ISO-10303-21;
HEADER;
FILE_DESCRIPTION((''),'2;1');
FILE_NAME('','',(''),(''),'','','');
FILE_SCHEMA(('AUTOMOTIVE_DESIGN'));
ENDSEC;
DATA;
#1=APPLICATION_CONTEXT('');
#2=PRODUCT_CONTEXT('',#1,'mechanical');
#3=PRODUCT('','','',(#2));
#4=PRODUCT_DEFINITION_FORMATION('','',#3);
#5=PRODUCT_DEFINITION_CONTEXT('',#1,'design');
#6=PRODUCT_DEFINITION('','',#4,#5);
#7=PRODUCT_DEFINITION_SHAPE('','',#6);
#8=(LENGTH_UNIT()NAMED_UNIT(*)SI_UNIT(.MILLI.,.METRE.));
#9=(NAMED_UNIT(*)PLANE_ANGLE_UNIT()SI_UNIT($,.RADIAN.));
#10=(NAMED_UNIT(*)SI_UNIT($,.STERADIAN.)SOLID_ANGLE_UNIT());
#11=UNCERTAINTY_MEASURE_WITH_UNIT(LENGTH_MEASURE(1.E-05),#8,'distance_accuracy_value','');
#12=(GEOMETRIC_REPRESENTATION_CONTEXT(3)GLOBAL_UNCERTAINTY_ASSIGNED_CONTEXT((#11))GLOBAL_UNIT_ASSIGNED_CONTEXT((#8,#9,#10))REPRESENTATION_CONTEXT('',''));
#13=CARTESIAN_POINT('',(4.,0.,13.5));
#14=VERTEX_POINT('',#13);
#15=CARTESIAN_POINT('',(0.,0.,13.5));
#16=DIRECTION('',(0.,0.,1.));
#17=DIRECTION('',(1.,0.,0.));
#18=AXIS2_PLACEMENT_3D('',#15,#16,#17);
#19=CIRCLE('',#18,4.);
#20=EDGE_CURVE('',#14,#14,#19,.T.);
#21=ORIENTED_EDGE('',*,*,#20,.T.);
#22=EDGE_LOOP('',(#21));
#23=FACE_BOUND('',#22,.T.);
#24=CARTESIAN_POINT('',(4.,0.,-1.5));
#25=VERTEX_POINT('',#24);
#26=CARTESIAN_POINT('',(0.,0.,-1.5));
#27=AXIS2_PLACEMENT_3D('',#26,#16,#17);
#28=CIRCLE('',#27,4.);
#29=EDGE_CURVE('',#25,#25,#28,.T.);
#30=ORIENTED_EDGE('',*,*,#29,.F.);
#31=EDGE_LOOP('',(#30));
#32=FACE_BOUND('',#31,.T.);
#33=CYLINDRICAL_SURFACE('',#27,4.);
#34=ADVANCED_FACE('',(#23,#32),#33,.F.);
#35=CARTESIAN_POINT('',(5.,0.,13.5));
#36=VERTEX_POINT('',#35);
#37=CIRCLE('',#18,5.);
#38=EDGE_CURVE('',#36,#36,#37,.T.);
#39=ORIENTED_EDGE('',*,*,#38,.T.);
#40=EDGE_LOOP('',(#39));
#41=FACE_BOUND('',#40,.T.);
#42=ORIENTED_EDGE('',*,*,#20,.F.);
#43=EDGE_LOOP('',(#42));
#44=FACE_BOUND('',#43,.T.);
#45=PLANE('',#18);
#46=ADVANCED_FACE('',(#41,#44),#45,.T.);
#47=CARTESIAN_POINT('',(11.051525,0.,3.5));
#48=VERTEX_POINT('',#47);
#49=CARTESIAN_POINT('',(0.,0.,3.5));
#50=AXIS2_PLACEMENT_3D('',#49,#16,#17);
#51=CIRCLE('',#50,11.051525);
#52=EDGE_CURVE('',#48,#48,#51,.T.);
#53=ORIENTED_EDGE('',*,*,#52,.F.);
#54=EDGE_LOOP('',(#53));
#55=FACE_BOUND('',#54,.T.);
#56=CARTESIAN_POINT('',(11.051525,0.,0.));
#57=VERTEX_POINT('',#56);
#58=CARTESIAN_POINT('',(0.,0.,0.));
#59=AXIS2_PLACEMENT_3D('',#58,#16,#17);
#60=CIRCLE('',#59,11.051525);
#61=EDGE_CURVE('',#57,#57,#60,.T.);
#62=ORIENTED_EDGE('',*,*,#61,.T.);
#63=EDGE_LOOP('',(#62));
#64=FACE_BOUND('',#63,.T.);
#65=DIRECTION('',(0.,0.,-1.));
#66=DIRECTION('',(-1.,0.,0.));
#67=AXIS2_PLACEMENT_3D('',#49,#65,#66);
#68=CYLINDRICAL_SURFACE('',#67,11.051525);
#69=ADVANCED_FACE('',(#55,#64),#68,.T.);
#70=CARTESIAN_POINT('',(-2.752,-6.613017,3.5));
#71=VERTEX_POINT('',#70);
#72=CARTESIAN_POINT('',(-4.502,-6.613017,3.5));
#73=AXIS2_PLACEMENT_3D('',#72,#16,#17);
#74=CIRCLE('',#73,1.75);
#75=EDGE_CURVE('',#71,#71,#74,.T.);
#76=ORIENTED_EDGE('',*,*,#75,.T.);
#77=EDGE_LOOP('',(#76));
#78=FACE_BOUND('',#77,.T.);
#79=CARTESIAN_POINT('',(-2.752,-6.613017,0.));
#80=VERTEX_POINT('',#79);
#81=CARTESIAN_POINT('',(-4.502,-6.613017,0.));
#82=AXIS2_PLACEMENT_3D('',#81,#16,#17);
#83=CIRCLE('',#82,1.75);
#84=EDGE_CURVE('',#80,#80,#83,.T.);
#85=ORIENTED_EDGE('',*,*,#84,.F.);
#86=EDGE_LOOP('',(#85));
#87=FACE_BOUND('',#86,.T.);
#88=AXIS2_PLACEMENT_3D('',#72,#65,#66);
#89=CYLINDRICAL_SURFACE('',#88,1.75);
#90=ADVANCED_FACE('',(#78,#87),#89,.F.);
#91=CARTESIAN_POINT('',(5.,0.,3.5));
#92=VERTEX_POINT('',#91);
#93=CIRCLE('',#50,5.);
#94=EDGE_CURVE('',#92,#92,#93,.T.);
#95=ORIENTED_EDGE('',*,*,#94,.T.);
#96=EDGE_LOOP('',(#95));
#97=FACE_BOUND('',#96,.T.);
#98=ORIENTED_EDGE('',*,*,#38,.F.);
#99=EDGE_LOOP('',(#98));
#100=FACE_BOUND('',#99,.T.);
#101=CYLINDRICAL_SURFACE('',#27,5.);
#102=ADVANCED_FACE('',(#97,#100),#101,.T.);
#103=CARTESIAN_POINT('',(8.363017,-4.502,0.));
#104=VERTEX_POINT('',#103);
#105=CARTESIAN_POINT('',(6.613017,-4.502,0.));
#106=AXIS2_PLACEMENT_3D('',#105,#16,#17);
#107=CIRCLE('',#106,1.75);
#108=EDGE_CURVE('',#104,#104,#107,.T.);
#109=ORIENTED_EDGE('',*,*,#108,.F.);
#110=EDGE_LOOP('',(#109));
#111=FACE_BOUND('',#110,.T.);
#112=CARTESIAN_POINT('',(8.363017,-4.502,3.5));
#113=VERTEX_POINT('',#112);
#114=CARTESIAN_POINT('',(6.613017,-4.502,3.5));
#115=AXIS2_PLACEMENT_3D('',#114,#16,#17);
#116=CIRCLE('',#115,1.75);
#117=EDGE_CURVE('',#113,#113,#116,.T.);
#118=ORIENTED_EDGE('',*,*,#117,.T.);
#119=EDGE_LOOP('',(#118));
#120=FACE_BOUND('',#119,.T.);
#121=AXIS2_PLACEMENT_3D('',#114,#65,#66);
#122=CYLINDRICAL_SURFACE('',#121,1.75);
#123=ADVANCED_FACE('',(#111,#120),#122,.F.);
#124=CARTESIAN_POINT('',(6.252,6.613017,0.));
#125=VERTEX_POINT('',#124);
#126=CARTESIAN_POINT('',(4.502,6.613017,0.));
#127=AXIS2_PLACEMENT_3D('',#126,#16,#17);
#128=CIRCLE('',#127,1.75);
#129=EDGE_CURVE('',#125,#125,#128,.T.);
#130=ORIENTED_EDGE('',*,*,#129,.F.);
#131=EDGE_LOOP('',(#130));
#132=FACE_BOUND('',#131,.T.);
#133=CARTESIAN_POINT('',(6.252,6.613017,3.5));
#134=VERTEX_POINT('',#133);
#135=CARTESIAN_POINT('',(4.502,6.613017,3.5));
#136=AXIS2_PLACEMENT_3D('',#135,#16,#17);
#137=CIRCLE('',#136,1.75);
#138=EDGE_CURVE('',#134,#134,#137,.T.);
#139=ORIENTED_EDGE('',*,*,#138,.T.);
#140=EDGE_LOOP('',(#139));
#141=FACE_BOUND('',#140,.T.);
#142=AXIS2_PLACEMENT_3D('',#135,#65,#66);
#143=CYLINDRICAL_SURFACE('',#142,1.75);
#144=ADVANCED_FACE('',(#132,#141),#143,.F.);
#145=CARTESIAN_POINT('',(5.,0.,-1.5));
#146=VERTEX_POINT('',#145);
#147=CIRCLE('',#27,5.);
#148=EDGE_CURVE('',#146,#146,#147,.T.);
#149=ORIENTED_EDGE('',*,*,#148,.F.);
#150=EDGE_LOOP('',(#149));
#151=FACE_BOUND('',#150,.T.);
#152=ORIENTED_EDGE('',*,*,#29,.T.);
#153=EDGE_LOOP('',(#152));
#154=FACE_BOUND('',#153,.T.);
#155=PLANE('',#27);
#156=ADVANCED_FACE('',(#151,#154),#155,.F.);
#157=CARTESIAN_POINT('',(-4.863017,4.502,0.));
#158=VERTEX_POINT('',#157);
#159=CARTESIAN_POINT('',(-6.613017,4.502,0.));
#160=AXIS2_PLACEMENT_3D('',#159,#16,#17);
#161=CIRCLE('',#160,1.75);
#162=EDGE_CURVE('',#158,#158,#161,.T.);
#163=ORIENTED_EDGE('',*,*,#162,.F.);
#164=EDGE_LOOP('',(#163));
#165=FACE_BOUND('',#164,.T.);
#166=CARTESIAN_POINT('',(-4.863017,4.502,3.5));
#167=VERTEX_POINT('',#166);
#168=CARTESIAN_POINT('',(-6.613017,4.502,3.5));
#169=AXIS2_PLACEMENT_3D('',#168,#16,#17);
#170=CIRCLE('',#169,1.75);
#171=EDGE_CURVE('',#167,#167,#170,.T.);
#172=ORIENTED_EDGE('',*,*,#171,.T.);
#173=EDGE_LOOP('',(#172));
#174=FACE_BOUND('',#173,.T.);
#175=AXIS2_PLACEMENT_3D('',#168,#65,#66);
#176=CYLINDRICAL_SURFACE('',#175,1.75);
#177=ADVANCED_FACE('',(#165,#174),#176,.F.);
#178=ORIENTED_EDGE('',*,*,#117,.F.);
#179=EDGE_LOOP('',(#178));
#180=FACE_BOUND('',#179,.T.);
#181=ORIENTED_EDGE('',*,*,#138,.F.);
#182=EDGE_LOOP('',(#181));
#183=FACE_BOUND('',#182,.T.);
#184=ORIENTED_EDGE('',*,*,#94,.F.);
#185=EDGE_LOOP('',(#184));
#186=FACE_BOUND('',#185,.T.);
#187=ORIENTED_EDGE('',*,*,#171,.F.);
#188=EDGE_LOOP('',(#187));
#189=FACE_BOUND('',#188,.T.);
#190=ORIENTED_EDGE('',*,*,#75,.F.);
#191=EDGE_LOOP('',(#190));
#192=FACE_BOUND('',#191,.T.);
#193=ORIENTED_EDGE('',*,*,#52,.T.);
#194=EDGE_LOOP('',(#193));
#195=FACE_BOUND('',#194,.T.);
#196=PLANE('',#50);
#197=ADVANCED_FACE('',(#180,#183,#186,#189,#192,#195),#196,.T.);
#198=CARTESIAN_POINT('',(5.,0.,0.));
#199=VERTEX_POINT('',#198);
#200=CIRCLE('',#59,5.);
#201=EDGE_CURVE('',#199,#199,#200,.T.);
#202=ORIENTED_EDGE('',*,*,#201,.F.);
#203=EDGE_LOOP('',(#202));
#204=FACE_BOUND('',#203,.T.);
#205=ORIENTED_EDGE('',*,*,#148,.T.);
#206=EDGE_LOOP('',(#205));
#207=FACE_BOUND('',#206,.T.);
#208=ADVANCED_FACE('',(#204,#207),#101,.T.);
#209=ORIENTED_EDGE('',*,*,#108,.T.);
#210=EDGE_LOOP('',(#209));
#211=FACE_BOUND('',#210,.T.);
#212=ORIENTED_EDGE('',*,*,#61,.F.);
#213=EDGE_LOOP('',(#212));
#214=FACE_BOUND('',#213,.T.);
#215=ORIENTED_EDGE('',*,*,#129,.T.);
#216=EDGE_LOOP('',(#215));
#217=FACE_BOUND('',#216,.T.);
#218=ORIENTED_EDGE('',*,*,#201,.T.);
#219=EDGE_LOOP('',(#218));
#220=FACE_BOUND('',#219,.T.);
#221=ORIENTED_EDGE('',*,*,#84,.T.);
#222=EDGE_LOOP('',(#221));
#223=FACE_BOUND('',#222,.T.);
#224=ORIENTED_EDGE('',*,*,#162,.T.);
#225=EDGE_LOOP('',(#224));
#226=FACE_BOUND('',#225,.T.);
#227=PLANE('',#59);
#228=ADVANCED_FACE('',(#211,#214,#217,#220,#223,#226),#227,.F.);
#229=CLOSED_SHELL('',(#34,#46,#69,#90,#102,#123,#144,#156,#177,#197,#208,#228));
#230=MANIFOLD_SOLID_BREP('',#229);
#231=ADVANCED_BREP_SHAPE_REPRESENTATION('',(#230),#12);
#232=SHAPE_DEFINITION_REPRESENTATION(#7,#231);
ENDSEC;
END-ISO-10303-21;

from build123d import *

# Parameters (mm, degrees)
SKETCH_1_R           = 11.051525353
SKETCH_1_R_2         = 1.75
SKETCH_1_R_3         = 5
EXTRUDE_2_DEPTH      = 3.5
EXTRUDE_3_DEPTH      = 13.5
EXTRUDE_3_DEPTH_BACK = 1.5
SKETCH_1_5_R         = 5
SKETCH_1_5_R_2       = 4


with BuildPart() as part:
    # 草图1 → 凸台-拉伸2 (new body)
    with BuildSketch(Plane.XY):
        Circle(SKETCH_1_R)
        with Locations((-4.502000398, -6.613016892)):
            Circle(SKETCH_1_R_2, mode=Mode.SUBTRACT)
        Circle(SKETCH_1_R_3, mode=Mode.SUBTRACT)
        with Locations((6.613016892, -4.502000398)):
            Circle(SKETCH_1_R_2, mode=Mode.SUBTRACT)
        with Locations((-6.613016892, 4.502000398)):
            Circle(SKETCH_1_R_2, mode=Mode.SUBTRACT)
        with Locations((4.502000398, 6.613016892)):
            Circle(SKETCH_1_R_2, mode=Mode.SUBTRACT)
    extrude(amount=EXTRUDE_2_DEPTH)

    # 草图1<5> → 凸台-拉伸3 (add, two sides: drawn at the far end of the back side and taken through both)
    with BuildSketch(Plane.XY.offset(-EXTRUDE_3_DEPTH_BACK)):
        Circle(SKETCH_1_5_R)
        Circle(SKETCH_1_5_R_2, mode=Mode.SUBTRACT)
    extrude(amount=EXTRUDE_3_DEPTH + EXTRUDE_3_DEPTH_BACK)


solid = part.part
